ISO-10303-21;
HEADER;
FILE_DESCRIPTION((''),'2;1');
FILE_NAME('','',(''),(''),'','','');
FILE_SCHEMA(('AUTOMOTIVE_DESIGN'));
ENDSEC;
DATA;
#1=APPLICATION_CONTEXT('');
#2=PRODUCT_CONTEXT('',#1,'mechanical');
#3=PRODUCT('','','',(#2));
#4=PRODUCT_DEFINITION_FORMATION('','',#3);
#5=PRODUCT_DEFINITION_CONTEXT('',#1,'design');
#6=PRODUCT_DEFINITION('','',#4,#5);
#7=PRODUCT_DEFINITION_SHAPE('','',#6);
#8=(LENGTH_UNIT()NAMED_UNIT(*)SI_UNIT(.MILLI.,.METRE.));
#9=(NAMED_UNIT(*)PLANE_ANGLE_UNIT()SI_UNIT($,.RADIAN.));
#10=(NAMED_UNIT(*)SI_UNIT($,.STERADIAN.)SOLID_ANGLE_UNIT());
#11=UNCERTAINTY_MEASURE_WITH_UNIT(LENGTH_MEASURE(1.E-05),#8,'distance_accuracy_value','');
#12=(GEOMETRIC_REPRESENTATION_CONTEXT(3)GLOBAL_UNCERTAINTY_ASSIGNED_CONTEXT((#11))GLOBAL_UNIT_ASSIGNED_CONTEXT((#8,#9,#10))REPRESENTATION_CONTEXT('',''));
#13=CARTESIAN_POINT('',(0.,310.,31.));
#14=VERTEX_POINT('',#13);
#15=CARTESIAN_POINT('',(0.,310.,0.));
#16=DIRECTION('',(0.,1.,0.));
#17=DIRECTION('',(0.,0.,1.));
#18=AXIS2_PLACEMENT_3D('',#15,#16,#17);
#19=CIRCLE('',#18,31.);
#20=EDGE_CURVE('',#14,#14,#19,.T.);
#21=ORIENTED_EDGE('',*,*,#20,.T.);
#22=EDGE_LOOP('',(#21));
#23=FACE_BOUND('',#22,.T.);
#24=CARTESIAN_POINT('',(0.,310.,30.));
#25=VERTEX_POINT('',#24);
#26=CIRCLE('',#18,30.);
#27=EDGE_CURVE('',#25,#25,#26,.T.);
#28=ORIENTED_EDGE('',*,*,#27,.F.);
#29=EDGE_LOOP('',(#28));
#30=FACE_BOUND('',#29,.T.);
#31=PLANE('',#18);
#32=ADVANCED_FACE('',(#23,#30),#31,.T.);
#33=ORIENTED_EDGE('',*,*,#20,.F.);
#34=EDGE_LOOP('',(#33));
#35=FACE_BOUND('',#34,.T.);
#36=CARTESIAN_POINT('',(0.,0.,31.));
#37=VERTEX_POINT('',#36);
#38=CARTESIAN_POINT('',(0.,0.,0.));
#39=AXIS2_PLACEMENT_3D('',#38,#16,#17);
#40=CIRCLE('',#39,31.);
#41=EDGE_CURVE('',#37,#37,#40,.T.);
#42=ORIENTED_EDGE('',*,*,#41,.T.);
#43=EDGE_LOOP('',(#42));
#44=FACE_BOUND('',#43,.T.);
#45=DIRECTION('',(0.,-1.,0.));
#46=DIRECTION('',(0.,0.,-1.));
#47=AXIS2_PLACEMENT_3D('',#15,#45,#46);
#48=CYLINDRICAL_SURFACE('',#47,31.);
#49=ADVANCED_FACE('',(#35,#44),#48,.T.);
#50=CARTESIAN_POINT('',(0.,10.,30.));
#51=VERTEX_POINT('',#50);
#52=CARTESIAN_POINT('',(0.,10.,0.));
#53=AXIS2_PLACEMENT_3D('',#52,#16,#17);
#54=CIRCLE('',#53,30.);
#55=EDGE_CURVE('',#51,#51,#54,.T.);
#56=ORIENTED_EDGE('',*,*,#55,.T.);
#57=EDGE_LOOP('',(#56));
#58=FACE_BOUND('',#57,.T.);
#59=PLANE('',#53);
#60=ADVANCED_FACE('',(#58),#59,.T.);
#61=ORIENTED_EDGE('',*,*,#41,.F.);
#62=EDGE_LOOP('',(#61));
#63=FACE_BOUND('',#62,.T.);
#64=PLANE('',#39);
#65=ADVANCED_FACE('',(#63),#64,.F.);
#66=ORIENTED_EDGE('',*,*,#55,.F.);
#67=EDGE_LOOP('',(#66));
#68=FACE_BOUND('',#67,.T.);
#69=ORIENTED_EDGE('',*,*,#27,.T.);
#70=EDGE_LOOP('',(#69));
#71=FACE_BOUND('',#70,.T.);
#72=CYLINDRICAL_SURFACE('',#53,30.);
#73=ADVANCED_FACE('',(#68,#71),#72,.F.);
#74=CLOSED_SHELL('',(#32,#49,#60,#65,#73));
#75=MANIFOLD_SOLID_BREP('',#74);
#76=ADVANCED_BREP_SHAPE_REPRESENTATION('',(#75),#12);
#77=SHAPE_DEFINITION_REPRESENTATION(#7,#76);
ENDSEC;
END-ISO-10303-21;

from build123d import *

# Parameters (mm, degrees)
SKETCH1_R           = 31
BOSS_EXTRUDE1_DEPTH = 310
SKETCH2_R           = 30
CUT_EXTRUDE1_DEPTH  = 300


with BuildPart() as part:
    # Sketch1 → Boss-Extrude1 (new body)
    with BuildSketch(Plane(origin=(0, 0, 0), x_dir=(1, 0, 0), z_dir=(0, 1, 0))):
        with Locations(Location((0, 0, 0), (0, 0, 270))):
            Circle(SKETCH1_R)
    extrude(amount=BOSS_EXTRUDE1_DEPTH)

    # Sketch2 → Cut-Extrude1 (cut)
    with BuildSketch(Plane(origin=(0, 310, 0), x_dir=(1, 0, 0), z_dir=(0, 1, 0))):
        with Locations(Location((0, 0, 0), (0, 0, 270))):
            Circle(SKETCH2_R)
    extrude(amount=-CUT_EXTRUDE1_DEPTH, mode=Mode.SUBTRACT)


solid = part.part
